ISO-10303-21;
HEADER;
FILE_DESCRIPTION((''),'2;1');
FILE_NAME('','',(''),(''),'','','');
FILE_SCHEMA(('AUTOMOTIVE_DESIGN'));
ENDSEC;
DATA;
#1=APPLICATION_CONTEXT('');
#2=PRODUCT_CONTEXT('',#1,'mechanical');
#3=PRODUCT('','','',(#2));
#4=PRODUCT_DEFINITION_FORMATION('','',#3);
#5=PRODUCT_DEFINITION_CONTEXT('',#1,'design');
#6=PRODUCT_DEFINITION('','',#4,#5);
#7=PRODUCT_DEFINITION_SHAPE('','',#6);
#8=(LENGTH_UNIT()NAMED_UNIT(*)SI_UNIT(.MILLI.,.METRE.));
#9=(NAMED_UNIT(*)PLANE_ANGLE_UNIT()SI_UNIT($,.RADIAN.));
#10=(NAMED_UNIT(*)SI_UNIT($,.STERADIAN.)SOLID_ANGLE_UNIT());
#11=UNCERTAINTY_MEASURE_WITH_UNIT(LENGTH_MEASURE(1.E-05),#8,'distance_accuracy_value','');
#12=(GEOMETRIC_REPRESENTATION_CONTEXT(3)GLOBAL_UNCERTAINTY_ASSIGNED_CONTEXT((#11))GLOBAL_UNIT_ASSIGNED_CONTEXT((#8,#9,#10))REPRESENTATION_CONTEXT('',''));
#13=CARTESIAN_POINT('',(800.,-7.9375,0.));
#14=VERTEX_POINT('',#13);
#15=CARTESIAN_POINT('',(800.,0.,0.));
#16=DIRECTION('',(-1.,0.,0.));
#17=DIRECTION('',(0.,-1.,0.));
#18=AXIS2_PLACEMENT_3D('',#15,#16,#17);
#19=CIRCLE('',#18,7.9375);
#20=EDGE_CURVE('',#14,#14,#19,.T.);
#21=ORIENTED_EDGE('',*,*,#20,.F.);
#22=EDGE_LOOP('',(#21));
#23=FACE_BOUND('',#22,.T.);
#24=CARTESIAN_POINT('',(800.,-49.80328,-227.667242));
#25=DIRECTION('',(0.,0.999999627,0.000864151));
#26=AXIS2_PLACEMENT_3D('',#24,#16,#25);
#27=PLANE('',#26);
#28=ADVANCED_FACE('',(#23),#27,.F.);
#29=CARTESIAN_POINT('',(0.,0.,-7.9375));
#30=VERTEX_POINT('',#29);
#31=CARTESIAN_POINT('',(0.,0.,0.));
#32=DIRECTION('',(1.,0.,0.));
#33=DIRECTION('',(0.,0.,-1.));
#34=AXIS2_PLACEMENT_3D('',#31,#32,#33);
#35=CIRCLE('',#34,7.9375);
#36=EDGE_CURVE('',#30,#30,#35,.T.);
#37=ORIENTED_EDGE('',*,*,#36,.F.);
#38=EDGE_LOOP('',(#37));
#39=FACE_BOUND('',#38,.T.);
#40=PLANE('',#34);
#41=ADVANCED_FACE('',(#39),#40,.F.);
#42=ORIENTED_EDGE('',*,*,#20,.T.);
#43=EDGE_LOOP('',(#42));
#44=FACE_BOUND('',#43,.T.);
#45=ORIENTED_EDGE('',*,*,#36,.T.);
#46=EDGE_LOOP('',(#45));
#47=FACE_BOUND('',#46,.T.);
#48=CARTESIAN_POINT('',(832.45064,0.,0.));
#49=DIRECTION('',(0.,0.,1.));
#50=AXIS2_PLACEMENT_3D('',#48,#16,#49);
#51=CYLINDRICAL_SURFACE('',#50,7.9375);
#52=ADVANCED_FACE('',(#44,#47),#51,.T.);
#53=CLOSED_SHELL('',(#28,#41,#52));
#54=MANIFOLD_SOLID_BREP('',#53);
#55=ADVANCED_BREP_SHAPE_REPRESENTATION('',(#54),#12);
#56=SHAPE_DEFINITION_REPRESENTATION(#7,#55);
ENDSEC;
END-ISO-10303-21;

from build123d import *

# Parameters (mm, degrees)
SKETCH1_R           = 7.9375
BOSS_EXTRUDE1_DEPTH = 800


with BuildPart() as part:
    # Sketch1 → Boss-Extrude1 (new body)
    with BuildSketch(Plane(origin=(0, 0, 0), x_dir=(0, 0, -1), z_dir=(1, 0, 0))):
        with Locations(Location((0, 0, 0), (0, 0, 270))):
            Circle(SKETCH1_R)
    extrude(amount=BOSS_EXTRUDE1_DEPTH)


solid = part.part
